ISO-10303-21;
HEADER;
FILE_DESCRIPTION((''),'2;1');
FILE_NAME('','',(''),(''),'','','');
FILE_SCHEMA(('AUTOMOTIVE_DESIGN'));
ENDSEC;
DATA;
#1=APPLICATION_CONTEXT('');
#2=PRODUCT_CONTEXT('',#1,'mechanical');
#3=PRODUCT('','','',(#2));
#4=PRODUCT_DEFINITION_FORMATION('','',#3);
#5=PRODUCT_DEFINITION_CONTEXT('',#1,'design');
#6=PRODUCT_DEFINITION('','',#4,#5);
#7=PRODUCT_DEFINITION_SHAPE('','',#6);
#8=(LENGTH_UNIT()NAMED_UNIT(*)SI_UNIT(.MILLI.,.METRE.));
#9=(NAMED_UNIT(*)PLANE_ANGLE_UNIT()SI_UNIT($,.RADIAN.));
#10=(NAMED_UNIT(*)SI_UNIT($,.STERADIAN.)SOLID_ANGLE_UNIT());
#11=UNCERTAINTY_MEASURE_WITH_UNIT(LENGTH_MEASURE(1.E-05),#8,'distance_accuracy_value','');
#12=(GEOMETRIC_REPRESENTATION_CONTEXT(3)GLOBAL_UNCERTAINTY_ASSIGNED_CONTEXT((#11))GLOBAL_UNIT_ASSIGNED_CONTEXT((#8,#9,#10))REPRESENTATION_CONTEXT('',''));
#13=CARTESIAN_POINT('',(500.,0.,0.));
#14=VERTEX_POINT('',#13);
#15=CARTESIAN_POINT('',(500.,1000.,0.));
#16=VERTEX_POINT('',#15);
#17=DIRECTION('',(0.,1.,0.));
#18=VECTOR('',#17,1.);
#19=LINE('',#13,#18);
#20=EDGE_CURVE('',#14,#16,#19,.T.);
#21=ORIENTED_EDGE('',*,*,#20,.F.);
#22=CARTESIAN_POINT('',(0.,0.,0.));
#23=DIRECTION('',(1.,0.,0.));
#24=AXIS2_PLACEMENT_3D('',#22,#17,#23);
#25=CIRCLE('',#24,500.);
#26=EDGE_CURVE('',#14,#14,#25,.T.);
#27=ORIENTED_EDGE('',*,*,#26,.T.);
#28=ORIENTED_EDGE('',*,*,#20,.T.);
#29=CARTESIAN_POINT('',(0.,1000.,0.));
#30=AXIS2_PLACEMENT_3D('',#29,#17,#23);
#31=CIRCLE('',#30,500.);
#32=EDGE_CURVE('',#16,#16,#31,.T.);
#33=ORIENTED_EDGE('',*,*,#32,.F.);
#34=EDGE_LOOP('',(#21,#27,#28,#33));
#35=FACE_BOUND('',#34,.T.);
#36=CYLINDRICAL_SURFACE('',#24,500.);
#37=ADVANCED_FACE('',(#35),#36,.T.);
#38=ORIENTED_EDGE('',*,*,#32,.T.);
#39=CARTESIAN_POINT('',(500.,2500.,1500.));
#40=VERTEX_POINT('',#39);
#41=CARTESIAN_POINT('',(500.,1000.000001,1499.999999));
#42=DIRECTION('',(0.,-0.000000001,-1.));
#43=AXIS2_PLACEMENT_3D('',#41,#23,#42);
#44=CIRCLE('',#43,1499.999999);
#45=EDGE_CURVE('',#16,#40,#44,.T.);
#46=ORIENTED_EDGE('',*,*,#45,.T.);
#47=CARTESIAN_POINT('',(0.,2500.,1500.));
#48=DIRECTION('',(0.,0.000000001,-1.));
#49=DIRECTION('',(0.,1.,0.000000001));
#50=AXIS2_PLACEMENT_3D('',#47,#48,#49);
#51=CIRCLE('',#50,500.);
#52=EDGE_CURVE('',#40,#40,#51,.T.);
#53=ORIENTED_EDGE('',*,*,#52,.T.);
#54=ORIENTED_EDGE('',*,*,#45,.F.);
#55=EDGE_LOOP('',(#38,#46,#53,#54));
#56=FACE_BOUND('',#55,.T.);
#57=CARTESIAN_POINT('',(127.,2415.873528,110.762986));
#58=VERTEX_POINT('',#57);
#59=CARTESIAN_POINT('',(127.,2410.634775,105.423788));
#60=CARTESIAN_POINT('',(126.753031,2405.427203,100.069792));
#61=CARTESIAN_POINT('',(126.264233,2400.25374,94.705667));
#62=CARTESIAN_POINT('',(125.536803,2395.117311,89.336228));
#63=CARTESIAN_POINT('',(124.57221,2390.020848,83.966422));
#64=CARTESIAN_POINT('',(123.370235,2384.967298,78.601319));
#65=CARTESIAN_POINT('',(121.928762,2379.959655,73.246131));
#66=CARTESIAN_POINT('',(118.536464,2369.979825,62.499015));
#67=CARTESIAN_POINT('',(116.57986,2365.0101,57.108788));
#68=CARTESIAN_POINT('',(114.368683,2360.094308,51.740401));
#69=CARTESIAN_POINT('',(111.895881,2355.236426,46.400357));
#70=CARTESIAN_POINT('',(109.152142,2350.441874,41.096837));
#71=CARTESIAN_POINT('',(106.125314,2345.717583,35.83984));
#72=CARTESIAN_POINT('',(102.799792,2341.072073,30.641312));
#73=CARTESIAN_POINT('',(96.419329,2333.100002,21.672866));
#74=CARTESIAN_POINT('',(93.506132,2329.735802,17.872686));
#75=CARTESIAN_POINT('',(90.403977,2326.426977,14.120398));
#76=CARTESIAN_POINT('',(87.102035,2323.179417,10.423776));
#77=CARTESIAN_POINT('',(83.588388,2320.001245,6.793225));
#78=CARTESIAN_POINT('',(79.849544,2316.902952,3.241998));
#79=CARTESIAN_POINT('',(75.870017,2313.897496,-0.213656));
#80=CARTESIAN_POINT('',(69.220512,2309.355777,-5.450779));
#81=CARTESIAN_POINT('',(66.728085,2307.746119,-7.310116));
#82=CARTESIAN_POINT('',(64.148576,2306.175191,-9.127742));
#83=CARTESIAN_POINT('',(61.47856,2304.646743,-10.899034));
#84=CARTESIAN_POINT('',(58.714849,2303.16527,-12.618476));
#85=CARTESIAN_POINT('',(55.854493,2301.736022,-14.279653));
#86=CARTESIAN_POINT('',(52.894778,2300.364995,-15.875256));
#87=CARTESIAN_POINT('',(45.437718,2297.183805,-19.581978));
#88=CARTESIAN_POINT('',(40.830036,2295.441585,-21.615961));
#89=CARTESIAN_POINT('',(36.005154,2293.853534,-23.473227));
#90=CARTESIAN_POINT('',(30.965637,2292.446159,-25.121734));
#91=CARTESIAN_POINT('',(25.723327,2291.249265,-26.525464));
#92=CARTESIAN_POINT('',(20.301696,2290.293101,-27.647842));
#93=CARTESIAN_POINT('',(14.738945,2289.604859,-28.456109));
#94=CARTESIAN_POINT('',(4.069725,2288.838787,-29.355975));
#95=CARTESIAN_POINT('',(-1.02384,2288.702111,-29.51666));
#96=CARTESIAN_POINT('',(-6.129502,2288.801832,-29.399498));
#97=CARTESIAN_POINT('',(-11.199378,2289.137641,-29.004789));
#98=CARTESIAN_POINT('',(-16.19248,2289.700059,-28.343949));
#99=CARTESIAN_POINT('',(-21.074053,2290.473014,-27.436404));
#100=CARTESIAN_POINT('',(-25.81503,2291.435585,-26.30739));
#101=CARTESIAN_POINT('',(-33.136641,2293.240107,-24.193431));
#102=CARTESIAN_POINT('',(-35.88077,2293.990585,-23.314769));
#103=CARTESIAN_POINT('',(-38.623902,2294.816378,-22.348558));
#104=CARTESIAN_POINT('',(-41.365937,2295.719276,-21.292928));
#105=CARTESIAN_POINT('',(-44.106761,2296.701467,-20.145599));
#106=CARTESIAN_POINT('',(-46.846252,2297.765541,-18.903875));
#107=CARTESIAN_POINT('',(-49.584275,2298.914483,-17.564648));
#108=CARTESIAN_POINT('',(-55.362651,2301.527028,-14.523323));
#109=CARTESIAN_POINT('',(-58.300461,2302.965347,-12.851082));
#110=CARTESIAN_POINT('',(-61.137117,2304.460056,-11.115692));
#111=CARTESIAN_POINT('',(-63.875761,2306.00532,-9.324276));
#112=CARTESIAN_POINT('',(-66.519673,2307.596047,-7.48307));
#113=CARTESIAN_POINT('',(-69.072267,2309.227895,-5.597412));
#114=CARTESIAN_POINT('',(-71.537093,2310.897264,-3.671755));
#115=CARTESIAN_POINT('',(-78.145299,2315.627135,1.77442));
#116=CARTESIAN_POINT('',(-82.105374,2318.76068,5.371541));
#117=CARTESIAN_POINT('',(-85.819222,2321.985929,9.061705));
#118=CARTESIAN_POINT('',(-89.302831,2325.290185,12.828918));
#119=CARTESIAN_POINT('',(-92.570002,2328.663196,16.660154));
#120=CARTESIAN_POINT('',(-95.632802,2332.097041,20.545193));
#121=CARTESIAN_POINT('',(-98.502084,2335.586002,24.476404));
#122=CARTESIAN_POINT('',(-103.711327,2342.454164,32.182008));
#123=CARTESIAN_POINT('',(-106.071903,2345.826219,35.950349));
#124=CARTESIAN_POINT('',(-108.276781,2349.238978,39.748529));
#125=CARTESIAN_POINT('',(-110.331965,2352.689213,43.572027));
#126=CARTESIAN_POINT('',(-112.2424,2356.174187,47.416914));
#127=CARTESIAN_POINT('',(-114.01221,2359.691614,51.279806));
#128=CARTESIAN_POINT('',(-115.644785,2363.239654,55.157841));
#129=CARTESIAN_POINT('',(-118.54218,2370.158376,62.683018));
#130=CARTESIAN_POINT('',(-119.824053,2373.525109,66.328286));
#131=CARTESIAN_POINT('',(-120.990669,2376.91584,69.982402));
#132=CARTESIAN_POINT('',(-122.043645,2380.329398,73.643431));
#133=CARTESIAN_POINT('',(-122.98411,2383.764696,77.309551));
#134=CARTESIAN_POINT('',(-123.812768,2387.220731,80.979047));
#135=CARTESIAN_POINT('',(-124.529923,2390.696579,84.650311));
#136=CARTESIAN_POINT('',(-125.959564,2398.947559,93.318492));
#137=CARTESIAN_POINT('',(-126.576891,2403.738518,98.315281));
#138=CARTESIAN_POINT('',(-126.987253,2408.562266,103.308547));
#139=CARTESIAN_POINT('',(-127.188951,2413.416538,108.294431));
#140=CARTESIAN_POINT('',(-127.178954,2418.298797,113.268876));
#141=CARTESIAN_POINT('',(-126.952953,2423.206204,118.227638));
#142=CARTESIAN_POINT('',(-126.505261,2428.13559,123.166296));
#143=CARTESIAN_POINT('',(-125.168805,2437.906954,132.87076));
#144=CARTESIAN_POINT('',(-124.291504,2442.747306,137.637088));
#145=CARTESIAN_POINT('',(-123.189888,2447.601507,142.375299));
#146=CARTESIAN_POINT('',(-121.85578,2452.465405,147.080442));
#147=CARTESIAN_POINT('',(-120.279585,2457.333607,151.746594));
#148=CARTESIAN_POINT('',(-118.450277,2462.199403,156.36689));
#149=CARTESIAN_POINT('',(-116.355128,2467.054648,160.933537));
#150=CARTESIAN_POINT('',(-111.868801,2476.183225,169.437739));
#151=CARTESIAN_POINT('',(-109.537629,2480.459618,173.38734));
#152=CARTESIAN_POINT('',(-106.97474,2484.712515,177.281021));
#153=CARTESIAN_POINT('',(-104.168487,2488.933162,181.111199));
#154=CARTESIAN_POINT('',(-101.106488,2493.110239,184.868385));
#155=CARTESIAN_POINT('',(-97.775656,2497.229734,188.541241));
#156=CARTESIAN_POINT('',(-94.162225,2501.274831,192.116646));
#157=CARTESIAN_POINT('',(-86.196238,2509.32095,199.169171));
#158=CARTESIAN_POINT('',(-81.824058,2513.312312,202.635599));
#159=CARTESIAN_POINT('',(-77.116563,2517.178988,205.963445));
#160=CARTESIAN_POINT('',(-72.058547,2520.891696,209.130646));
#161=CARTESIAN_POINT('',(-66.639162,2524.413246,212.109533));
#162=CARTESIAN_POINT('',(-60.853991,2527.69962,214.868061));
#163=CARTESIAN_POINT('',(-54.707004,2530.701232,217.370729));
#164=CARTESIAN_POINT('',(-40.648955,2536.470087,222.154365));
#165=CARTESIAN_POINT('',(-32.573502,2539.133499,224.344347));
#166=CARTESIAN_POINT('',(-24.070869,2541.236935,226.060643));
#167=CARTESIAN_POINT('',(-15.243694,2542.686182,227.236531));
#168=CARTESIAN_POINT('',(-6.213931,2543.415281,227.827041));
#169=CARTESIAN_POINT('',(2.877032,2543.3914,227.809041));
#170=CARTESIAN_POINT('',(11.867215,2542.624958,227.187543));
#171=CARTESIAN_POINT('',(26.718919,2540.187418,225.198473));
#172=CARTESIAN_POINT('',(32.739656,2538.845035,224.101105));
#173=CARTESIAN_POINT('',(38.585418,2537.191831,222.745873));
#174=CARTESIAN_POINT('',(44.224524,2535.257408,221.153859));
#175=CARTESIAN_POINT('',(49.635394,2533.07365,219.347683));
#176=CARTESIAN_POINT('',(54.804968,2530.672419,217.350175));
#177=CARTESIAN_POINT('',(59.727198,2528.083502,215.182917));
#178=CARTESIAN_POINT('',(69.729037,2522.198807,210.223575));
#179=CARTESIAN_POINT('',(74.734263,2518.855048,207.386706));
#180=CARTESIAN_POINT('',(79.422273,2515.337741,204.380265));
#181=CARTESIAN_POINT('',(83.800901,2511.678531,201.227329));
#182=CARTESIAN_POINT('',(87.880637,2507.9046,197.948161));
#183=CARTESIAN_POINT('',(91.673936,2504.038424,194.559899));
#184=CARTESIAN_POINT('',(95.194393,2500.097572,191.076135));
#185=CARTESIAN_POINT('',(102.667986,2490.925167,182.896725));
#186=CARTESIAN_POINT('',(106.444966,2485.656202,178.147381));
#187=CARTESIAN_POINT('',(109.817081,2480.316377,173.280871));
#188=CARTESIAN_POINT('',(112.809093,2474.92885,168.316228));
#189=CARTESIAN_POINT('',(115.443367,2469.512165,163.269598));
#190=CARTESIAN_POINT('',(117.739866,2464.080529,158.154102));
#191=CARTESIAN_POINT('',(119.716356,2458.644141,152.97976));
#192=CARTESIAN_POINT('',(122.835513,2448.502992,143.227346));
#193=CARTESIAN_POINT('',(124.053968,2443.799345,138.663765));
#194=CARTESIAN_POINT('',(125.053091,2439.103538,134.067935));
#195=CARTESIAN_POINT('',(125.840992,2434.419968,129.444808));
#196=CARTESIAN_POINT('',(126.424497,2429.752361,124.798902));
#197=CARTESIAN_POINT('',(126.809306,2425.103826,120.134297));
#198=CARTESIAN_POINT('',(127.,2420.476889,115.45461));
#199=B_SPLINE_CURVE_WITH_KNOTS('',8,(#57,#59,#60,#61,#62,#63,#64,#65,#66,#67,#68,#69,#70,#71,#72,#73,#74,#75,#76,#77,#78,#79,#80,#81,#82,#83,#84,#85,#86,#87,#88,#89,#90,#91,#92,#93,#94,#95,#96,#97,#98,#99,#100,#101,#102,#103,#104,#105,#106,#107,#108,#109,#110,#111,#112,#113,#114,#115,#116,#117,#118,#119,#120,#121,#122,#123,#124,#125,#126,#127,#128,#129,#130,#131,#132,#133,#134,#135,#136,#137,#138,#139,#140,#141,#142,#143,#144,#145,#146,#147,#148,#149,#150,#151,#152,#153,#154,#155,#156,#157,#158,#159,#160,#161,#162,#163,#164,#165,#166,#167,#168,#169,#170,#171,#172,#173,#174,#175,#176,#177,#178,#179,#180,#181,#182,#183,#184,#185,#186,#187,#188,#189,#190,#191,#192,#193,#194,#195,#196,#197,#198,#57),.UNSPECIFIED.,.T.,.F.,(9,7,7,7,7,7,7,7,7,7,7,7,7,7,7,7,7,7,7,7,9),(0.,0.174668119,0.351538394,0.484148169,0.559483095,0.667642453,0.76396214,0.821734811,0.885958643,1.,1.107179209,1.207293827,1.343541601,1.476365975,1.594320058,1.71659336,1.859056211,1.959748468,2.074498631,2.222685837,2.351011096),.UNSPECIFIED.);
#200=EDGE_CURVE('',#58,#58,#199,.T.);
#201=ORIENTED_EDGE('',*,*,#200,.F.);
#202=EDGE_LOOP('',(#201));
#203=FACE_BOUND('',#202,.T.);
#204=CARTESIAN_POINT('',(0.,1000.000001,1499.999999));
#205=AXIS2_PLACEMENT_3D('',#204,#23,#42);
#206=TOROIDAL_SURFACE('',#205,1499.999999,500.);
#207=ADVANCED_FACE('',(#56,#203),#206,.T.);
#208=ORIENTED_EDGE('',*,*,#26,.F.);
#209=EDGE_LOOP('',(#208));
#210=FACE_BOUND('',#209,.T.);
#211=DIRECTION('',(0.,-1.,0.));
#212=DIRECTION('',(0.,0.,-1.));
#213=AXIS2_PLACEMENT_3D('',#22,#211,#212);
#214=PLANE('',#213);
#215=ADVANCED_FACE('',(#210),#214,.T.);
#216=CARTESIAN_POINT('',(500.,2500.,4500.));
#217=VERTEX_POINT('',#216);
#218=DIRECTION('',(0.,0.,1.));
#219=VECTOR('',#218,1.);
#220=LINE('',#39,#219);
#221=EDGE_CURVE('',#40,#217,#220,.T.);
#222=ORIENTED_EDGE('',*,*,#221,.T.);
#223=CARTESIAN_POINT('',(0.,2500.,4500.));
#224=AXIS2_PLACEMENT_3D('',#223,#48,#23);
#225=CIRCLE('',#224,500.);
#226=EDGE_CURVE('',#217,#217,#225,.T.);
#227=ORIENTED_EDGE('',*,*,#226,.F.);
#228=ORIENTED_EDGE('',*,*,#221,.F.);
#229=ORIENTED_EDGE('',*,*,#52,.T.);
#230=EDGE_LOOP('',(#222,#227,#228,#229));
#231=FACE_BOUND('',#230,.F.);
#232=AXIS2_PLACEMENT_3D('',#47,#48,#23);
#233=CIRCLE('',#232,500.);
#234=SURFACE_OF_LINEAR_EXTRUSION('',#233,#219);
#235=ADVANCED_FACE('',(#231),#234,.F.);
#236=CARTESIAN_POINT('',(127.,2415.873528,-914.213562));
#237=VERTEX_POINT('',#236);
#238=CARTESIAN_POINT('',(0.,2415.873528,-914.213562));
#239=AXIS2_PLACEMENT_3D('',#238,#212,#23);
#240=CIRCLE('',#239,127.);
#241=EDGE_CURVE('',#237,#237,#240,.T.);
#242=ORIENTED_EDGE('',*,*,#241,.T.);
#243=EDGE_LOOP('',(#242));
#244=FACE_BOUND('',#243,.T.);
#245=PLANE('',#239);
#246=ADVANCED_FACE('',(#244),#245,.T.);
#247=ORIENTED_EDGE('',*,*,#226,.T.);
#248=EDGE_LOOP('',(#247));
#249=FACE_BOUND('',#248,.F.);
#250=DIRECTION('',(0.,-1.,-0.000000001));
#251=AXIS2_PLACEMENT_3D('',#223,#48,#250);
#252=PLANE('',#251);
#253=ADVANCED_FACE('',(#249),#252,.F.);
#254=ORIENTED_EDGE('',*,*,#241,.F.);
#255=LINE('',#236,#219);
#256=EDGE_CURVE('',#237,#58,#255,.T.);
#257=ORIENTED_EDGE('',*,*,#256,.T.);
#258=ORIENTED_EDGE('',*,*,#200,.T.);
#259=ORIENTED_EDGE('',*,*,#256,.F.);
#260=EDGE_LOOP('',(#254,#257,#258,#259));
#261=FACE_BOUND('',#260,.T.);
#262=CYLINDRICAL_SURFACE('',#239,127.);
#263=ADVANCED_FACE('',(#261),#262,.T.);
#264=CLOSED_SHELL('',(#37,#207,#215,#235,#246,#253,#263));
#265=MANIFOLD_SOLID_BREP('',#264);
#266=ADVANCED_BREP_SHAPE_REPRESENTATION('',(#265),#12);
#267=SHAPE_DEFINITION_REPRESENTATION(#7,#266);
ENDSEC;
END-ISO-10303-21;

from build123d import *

# Parameters (mm, degrees)
F1_R     = 500
F4_R     = 127
F5_DEPTH = 1658.62


with BuildPart() as f2:
    # F2: sweep along a path in F0
    with BuildLine(Plane.YZ) as f2_path:
        Line((0, 0), (1000, 0))
        ThreePointArc((1000, 0), (2060.660172, 439.339828), (2500, 1500))
        Line((2500, 1500), (2500, 4500))
    # F1 (on Front) → F2 (sweep)
    with BuildSketch(Plane.XZ):
        Circle(F1_R)
    sweep(path=f2_path.line)

    # F4 (on face) → F5 (join)
    with BuildSketch(Plane(origin=(0, 0, -914.213562), x_dir=(1, 0, 0), z_dir=(0, 0, -1))):
        with Locations((0, -2415.873528)):
            Circle(F4_R)
    extrude(amount=-F5_DEPTH)


solid = f2.part
